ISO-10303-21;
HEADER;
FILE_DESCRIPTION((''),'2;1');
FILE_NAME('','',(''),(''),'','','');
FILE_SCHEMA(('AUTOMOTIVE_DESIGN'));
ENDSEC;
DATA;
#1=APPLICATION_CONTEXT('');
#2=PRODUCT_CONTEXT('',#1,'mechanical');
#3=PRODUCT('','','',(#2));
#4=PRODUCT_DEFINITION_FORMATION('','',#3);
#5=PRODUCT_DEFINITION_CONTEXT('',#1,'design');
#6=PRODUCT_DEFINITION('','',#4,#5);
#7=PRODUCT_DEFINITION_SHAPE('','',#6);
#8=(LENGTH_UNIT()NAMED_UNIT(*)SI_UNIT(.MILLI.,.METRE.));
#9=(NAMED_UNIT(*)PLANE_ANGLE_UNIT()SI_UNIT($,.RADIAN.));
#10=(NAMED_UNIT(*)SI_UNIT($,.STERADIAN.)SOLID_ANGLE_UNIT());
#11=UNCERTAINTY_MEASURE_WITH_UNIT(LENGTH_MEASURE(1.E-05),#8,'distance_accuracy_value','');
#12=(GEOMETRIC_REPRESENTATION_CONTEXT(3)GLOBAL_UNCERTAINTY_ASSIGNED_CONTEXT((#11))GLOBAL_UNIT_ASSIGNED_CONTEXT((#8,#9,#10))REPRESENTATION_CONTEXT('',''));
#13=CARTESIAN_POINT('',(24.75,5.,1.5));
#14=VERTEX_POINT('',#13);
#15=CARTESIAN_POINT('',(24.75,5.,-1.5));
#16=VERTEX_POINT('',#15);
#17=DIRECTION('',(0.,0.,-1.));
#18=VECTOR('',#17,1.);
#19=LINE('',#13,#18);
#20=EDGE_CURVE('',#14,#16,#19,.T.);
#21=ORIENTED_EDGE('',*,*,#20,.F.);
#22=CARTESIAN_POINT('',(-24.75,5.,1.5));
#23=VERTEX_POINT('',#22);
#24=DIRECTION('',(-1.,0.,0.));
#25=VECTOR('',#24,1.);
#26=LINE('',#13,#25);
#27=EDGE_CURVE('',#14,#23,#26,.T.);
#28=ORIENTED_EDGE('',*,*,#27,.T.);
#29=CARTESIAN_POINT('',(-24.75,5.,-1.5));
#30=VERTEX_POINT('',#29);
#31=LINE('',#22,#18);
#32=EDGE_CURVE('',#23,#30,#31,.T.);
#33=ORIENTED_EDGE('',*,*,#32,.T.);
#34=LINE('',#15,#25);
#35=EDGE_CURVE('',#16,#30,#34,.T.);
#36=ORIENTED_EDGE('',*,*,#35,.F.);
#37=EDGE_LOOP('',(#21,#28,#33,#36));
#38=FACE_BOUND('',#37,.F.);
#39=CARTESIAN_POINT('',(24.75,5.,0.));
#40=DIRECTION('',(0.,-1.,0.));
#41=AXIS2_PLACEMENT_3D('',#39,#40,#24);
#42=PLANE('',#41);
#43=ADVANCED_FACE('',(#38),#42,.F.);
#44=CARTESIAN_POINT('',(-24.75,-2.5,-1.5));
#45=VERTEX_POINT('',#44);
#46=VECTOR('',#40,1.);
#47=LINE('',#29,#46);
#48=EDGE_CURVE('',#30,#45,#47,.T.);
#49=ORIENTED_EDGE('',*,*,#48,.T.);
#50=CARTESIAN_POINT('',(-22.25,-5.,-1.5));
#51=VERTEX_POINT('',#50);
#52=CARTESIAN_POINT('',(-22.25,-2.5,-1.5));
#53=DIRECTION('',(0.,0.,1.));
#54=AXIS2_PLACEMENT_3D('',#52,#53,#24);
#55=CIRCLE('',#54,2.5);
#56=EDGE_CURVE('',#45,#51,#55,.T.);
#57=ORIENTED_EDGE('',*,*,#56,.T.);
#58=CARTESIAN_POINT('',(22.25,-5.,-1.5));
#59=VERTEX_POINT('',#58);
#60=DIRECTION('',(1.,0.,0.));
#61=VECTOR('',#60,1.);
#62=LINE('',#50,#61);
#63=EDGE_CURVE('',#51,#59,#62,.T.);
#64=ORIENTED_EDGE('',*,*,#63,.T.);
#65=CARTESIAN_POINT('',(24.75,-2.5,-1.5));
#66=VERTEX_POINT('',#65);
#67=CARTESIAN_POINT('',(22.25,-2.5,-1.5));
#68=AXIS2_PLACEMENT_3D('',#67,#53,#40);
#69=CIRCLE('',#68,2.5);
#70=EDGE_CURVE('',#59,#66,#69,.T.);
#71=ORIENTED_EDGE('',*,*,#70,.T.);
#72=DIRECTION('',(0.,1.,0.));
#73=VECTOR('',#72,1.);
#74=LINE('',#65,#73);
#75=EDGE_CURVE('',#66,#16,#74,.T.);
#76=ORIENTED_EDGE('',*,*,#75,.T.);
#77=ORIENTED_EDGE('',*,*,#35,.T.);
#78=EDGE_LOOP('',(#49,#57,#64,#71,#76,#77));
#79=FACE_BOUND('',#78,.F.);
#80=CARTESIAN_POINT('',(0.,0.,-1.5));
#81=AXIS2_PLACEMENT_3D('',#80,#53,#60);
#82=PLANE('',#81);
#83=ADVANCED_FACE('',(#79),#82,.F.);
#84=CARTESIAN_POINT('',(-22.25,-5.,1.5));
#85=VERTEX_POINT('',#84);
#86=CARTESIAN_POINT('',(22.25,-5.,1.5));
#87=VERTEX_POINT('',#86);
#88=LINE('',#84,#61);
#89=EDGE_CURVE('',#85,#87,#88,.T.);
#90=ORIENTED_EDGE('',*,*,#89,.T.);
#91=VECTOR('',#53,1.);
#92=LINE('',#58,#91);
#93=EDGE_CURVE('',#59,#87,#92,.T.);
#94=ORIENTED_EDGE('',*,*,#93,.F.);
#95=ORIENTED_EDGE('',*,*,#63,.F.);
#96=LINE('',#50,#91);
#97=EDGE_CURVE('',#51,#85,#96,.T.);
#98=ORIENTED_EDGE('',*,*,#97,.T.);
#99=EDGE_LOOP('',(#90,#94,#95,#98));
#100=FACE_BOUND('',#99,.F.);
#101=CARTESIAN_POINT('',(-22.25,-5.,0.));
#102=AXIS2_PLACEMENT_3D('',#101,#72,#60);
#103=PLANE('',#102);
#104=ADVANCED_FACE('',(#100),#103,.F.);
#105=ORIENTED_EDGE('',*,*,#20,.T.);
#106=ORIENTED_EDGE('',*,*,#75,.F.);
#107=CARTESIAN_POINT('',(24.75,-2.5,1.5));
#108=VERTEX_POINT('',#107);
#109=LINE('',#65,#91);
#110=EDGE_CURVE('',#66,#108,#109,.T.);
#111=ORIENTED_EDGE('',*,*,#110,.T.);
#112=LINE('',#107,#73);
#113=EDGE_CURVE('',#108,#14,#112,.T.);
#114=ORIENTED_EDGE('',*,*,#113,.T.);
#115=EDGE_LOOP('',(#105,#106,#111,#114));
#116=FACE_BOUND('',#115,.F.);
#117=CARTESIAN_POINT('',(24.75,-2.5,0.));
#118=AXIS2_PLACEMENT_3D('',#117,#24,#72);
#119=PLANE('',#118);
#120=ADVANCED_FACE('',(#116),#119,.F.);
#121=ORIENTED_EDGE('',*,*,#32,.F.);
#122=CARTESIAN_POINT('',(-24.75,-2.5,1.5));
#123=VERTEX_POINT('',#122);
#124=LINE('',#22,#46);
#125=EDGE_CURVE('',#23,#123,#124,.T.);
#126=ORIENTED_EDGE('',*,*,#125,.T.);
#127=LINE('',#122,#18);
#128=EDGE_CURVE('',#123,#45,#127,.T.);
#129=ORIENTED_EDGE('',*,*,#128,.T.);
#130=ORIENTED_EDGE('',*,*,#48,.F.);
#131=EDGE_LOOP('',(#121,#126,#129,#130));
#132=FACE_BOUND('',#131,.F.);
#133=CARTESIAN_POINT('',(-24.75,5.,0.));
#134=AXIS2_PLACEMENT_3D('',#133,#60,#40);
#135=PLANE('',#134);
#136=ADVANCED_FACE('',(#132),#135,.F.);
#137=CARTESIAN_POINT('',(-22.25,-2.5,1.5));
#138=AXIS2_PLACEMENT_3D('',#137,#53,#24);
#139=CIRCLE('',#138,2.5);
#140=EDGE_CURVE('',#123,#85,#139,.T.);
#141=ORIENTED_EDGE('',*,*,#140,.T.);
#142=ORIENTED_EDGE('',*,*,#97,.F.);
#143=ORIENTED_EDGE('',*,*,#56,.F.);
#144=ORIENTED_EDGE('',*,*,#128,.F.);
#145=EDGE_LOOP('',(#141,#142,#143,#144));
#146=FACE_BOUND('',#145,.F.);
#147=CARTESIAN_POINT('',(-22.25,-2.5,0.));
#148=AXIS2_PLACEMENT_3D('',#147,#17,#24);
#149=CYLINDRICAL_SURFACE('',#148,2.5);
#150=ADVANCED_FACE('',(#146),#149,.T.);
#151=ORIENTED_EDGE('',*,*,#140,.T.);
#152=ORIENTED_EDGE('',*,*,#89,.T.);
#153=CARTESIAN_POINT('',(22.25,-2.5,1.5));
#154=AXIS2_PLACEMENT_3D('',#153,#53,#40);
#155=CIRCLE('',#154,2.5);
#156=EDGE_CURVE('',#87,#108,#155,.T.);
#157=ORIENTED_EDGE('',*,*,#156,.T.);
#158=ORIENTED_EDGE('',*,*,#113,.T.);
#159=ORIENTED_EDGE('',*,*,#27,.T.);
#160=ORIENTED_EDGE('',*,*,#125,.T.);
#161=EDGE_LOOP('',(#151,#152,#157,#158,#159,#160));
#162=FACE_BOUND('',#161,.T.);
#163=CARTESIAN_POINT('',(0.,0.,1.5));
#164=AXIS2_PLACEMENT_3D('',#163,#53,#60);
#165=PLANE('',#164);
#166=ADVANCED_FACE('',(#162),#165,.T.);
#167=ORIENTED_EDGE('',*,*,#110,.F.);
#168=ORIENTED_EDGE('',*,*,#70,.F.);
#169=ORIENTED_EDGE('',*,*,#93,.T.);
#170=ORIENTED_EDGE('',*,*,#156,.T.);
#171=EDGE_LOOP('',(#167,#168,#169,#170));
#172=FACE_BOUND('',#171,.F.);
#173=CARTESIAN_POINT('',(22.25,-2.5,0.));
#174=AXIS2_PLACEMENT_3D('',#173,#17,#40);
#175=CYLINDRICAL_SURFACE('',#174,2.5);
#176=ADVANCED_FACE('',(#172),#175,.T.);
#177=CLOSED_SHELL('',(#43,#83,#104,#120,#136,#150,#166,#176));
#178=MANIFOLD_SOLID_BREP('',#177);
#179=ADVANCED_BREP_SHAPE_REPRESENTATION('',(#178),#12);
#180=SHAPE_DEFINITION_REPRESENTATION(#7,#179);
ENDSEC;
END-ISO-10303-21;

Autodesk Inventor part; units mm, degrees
ref_plane "YZ Plane" through (0, 0, 0) normal (1, 0, 0) x (0, 1, 0)
ref_plane "XZ Plane" through (0, 0, 0) normal (0, 1, 0) x (-1, 0, 0)
ref_plane "XY Plane" through (0, 0, 0) normal (0, 0, 1) x (1, 0, 0)
sketch "草圖1" plane through (0, 0, 0) normal (0, 0, 1) x (1, 0, 0)
  line L0 (0, 0) -> (-24.9363, 0) construction
  line L1 (0, 0) -> (0, 24.1407) construction
  line L2 (-22.25, -5) -> (22.25, -5)
  line L3 (24.75, -2.5) -> (24.75, 5)
  line L4 (24.75, 5) -> (-24.75, 5)
  line L5 (-24.75, 5) -> (-24.75, -2.5)
  line L6 (-24.75, -5) -> (24.75, 5) construction
  line L7 (24.75, -5) -> (-24.75, 5) construction
  arc A0 (22.25, -5) -> (24.75, -2.5) centre (22.25, -2.5) ccw
  arc A1 (-24.75, -2.5) -> (-22.25, -5) centre (-22.25, -2.5) ccw
  dimension "d0" = 49.5
  dimension "d1" = 10
  dimension "d4" = 2.5
extrude "擠出1" add sketch "草圖1" along normal mid plane 3
properties part number "0 零件"
